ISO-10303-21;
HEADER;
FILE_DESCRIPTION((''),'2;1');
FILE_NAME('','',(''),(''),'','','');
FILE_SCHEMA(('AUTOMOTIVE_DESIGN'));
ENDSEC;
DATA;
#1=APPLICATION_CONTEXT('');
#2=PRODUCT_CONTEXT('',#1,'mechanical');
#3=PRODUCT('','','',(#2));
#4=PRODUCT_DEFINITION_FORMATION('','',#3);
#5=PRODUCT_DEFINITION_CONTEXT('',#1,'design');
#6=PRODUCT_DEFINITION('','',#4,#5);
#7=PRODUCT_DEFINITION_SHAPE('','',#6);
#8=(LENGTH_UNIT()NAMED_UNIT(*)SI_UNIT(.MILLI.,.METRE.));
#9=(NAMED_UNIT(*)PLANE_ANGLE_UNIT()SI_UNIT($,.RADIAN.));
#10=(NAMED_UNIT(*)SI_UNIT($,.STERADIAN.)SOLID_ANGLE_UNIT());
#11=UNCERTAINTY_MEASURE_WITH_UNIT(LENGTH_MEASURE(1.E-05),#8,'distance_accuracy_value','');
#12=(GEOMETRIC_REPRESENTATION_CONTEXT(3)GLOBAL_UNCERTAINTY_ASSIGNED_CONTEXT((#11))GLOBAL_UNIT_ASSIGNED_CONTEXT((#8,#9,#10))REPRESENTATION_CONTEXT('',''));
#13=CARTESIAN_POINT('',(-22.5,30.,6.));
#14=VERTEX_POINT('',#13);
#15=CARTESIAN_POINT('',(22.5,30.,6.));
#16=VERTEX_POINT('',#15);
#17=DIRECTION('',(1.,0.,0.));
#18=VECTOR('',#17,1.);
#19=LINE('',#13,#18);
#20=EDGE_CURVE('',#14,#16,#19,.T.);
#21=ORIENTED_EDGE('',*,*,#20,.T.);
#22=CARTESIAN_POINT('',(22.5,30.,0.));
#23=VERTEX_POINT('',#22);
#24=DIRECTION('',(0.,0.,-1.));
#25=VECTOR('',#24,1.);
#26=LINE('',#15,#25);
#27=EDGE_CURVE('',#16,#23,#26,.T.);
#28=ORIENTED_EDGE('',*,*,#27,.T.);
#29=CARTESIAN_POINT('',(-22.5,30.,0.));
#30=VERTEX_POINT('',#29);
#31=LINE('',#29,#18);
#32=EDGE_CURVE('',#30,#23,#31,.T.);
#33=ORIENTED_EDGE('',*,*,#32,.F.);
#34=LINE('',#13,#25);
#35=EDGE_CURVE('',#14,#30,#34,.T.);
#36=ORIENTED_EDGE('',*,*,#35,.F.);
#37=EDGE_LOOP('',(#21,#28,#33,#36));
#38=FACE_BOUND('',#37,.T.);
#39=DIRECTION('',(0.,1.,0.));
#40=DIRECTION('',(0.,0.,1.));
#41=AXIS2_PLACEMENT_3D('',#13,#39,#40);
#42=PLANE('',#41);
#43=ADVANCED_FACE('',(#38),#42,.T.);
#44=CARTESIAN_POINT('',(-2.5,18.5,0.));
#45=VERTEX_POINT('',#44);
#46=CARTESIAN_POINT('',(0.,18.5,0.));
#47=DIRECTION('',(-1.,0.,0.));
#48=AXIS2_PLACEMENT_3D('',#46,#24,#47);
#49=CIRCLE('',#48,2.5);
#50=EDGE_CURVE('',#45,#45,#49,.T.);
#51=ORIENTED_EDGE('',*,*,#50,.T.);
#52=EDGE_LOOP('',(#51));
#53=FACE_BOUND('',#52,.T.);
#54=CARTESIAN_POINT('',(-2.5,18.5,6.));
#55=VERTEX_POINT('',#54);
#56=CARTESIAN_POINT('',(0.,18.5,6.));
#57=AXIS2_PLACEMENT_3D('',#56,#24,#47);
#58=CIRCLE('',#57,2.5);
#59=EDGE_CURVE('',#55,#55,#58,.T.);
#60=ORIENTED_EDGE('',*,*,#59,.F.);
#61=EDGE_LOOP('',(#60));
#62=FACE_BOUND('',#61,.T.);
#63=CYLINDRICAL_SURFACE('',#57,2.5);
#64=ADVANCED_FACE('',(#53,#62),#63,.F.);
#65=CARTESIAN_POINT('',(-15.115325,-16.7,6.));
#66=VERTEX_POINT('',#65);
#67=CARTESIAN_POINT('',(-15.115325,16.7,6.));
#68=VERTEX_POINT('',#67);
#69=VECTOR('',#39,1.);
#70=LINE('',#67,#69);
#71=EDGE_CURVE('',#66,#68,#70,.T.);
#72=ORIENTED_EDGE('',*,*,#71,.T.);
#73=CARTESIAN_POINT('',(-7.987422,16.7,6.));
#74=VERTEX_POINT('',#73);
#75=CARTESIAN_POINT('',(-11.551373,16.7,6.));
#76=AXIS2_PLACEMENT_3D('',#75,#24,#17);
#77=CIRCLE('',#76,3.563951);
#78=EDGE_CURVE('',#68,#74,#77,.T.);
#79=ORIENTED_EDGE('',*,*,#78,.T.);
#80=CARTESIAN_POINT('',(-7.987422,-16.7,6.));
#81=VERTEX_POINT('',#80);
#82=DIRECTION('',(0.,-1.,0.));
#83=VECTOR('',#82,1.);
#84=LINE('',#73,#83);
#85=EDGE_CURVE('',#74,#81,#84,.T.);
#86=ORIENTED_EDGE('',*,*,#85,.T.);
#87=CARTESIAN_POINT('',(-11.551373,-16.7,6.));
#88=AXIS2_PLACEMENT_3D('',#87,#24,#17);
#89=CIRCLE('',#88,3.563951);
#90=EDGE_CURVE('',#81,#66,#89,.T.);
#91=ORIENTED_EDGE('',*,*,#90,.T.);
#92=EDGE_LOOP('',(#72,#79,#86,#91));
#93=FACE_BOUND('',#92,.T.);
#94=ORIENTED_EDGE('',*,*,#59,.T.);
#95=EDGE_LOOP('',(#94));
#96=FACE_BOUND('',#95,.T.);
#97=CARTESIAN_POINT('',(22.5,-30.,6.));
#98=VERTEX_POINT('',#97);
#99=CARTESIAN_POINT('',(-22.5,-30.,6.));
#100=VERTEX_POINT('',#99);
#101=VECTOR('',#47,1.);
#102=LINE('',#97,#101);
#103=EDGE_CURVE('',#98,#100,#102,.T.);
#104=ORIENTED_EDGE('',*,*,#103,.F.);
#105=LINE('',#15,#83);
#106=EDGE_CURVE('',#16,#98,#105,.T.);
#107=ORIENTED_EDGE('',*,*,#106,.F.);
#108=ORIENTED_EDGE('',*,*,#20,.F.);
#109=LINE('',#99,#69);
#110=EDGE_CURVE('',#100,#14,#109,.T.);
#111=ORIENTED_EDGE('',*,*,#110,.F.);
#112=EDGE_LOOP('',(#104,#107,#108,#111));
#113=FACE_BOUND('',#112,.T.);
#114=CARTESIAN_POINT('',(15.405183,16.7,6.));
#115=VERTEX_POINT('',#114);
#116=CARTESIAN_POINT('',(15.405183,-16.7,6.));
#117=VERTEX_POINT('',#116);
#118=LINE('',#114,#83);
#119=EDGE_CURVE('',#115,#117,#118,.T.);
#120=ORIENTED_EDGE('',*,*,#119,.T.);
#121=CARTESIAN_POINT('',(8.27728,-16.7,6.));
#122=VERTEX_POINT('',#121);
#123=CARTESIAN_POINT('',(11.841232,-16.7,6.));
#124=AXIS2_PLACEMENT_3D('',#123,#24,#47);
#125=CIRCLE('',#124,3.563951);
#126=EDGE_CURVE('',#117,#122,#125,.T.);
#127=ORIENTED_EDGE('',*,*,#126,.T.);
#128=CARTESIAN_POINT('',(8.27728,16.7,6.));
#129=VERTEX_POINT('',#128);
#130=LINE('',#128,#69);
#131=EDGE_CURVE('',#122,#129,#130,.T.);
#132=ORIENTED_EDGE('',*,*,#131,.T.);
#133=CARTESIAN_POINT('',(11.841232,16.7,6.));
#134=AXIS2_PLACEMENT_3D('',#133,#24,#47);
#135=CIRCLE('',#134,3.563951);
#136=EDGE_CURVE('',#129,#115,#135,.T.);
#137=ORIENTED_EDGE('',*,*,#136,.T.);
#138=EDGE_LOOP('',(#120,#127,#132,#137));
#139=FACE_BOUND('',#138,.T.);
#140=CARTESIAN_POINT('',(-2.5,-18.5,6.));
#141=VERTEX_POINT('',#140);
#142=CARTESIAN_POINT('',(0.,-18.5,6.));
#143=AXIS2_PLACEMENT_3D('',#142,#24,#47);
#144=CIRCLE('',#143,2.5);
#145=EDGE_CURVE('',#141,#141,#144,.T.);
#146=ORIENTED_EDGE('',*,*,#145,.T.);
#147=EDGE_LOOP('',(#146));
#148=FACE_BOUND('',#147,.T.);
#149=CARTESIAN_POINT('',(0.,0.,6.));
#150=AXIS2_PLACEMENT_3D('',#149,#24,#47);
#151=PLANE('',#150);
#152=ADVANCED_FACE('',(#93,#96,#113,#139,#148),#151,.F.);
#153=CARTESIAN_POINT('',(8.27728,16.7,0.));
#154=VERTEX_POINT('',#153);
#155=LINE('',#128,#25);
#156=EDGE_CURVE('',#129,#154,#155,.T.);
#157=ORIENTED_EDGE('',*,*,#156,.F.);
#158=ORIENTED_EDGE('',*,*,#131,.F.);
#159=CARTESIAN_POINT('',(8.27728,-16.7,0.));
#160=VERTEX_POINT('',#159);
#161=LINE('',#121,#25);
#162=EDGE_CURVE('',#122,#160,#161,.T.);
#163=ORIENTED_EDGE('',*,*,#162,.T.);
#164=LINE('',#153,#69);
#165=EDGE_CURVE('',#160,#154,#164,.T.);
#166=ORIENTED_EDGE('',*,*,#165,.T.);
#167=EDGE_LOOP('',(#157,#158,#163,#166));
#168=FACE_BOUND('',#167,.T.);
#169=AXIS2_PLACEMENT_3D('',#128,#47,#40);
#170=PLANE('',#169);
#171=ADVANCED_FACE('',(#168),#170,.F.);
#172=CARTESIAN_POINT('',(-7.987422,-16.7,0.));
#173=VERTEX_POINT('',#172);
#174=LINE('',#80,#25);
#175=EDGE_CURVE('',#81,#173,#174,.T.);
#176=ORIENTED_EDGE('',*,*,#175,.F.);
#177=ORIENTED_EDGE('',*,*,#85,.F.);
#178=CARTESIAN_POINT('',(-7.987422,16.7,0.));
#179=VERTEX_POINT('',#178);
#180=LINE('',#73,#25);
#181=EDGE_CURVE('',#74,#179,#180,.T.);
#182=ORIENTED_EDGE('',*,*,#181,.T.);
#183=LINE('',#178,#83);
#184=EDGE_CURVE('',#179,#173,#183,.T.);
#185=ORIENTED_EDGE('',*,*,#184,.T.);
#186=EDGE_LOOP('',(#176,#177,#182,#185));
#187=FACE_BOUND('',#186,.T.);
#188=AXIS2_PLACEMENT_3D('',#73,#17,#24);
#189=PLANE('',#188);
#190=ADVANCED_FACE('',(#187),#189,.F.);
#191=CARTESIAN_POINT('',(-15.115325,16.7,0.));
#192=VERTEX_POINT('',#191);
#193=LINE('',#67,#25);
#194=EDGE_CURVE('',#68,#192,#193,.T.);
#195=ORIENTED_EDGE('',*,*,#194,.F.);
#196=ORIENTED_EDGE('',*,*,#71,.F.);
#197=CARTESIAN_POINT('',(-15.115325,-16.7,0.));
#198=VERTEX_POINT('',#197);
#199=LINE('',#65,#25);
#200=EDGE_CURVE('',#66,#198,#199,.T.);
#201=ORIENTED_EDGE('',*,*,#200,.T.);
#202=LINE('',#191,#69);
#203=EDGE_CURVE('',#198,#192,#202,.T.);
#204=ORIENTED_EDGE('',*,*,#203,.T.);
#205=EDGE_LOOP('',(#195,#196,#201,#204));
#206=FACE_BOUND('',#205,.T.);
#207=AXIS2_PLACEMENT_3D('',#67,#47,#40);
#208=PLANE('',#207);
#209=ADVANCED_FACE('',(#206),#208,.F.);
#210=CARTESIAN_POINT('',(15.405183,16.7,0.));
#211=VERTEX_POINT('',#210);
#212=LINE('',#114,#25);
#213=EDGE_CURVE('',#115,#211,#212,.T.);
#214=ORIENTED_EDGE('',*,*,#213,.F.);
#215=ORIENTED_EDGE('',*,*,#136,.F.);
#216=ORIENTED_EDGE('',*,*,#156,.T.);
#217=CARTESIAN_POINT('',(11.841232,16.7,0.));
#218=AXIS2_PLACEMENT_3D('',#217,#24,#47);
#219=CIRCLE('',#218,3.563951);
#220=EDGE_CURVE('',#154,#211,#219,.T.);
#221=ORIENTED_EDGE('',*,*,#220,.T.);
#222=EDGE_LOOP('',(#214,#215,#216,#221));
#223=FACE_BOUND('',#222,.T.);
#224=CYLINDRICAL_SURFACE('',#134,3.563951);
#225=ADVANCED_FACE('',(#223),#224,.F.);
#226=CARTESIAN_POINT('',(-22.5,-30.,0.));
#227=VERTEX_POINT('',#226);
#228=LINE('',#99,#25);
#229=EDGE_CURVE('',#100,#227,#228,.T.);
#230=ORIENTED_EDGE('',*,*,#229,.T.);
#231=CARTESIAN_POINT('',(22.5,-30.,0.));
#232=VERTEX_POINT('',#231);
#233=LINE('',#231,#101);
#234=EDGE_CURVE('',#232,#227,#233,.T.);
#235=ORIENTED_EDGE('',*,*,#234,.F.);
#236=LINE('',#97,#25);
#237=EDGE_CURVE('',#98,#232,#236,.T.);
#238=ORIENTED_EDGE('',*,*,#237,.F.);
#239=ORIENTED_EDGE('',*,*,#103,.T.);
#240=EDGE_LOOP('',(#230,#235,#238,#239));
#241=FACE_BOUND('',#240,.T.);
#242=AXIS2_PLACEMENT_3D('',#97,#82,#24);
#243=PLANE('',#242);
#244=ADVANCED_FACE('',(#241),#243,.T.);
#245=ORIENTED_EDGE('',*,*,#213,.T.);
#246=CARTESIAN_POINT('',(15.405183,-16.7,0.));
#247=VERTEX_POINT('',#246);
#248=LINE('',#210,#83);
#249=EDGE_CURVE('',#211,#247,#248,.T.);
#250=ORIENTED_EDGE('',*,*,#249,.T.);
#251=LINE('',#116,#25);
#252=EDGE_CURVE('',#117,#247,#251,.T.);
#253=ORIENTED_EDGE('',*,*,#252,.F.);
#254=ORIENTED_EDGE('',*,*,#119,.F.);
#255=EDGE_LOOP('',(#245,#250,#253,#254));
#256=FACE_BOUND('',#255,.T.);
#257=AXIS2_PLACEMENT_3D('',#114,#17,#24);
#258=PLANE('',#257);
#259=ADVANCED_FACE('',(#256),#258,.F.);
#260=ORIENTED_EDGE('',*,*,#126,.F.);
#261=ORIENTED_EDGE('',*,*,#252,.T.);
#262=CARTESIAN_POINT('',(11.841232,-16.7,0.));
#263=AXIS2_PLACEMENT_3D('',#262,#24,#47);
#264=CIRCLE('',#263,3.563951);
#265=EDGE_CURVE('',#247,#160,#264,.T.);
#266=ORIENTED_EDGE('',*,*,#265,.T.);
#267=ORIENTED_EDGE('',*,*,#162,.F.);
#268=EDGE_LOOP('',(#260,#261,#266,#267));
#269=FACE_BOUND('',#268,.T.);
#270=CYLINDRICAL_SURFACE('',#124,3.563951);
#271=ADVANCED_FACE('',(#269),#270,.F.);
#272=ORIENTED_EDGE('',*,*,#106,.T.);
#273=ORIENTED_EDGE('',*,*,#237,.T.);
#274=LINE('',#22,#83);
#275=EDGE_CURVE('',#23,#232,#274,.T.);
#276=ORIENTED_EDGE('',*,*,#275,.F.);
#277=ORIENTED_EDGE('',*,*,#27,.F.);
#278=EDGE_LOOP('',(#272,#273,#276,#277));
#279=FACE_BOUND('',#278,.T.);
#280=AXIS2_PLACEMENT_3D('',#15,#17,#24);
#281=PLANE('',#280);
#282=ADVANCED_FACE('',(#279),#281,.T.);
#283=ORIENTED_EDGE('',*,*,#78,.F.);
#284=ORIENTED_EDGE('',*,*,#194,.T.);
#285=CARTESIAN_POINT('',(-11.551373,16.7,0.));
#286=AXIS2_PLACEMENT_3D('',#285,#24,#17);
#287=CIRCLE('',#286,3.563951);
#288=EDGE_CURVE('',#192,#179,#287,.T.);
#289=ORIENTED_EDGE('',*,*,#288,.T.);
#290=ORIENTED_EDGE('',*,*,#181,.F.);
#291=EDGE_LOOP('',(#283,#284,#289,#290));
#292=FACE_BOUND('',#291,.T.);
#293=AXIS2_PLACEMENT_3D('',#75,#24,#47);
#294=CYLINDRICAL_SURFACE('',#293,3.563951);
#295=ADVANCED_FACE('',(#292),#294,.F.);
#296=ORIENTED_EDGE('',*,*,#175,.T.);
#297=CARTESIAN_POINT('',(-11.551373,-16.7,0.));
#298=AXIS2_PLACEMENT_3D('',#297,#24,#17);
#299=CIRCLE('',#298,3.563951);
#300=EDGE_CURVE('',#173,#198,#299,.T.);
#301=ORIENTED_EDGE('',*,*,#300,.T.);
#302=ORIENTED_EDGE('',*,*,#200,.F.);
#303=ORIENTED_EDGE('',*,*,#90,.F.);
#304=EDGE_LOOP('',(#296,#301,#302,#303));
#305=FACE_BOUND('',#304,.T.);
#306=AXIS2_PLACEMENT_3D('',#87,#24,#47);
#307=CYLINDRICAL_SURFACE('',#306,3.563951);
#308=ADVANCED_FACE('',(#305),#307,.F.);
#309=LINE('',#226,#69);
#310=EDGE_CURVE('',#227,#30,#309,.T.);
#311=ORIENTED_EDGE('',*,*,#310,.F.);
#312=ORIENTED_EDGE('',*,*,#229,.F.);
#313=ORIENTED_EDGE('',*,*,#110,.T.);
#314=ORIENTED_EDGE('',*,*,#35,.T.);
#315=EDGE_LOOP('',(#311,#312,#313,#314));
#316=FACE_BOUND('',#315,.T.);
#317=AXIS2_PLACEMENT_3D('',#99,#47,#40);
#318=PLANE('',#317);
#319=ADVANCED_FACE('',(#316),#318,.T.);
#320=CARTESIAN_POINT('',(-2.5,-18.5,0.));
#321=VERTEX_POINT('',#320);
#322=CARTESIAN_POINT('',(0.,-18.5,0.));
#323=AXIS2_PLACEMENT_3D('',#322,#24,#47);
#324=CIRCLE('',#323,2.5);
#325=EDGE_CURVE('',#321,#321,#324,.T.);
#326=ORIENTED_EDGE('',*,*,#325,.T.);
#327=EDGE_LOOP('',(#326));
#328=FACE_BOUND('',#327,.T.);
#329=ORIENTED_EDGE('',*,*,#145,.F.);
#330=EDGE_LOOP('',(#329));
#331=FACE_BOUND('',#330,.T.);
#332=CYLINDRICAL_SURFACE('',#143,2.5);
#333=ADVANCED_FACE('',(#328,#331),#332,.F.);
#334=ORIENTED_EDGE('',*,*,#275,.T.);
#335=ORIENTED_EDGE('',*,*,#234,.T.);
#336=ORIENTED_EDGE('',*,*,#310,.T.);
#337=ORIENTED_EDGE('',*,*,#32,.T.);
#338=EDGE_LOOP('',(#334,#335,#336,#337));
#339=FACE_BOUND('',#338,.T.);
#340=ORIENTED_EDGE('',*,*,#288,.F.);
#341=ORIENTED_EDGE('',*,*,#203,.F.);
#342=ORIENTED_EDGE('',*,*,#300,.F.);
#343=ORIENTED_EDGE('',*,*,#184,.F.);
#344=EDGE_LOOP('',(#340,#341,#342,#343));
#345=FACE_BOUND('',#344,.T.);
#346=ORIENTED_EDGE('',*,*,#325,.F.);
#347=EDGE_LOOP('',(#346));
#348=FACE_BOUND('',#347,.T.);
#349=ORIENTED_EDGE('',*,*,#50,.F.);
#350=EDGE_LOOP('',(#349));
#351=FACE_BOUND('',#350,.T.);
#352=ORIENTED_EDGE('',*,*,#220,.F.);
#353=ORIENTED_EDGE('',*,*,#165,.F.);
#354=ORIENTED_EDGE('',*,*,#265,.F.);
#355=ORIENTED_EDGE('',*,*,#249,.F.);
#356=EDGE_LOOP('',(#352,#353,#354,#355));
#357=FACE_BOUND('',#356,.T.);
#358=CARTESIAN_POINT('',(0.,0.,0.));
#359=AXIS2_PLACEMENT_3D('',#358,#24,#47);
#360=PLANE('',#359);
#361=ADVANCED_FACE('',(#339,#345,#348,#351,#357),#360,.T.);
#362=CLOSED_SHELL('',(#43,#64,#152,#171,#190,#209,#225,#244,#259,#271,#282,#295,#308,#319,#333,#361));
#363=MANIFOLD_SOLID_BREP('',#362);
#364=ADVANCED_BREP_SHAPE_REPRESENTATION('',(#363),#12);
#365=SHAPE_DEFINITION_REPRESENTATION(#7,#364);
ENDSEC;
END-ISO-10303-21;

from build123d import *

# Parameters (mm, degrees)
SKETCH1_W           = 45
SKETCH1_H           = 60
SKETCH1_R           = 2.5
BOSS_EXTRUDE1_DEPTH = 6


with BuildPart() as part:
    # Sketch1 → Boss-Extrude1 (new body)
    with BuildSketch(Plane(origin=(0, 0, 0), x_dir=(-1, 0, 0), z_dir=(0, 0, -1))):
        Rectangle(SKETCH1_W, SKETCH1_H)
        with Locations((0, 18.5)):
            Circle(SKETCH1_R, mode=Mode.SUBTRACT)
        with Locations((0, -18.5)):
            Circle(SKETCH1_R, mode=Mode.SUBTRACT)
        with BuildLine():
            Line((-8.277280201, 16.7), (-8.277280201, -16.7))
            ThreePointArc((-8.277280201, -16.7), (-11.841231537, -20.263951335), (-15.405182872, -16.7))
            Line((-15.405182872, -16.7), (-15.405182872, 16.7))
            ThreePointArc((-15.405182872, 16.7), (-11.841231537, 20.263951335), (-8.277280201, 16.7))
        make_face(mode=Mode.SUBTRACT)
        with BuildLine():
            Line((7.987422003, 16.7), (7.987422003, -16.7))
            ThreePointArc((7.987422003, -16.7), (11.551373339, -20.263951335), (15.115324674, -16.7))
            Line((15.115324674, -16.7), (15.115324674, 16.7))
            ThreePointArc((15.115324674, 16.7), (11.551373339, 20.263951335), (7.987422003, 16.7))
        make_face(mode=Mode.SUBTRACT)
    extrude(amount=-BOSS_EXTRUDE1_DEPTH)


solid = part.part
